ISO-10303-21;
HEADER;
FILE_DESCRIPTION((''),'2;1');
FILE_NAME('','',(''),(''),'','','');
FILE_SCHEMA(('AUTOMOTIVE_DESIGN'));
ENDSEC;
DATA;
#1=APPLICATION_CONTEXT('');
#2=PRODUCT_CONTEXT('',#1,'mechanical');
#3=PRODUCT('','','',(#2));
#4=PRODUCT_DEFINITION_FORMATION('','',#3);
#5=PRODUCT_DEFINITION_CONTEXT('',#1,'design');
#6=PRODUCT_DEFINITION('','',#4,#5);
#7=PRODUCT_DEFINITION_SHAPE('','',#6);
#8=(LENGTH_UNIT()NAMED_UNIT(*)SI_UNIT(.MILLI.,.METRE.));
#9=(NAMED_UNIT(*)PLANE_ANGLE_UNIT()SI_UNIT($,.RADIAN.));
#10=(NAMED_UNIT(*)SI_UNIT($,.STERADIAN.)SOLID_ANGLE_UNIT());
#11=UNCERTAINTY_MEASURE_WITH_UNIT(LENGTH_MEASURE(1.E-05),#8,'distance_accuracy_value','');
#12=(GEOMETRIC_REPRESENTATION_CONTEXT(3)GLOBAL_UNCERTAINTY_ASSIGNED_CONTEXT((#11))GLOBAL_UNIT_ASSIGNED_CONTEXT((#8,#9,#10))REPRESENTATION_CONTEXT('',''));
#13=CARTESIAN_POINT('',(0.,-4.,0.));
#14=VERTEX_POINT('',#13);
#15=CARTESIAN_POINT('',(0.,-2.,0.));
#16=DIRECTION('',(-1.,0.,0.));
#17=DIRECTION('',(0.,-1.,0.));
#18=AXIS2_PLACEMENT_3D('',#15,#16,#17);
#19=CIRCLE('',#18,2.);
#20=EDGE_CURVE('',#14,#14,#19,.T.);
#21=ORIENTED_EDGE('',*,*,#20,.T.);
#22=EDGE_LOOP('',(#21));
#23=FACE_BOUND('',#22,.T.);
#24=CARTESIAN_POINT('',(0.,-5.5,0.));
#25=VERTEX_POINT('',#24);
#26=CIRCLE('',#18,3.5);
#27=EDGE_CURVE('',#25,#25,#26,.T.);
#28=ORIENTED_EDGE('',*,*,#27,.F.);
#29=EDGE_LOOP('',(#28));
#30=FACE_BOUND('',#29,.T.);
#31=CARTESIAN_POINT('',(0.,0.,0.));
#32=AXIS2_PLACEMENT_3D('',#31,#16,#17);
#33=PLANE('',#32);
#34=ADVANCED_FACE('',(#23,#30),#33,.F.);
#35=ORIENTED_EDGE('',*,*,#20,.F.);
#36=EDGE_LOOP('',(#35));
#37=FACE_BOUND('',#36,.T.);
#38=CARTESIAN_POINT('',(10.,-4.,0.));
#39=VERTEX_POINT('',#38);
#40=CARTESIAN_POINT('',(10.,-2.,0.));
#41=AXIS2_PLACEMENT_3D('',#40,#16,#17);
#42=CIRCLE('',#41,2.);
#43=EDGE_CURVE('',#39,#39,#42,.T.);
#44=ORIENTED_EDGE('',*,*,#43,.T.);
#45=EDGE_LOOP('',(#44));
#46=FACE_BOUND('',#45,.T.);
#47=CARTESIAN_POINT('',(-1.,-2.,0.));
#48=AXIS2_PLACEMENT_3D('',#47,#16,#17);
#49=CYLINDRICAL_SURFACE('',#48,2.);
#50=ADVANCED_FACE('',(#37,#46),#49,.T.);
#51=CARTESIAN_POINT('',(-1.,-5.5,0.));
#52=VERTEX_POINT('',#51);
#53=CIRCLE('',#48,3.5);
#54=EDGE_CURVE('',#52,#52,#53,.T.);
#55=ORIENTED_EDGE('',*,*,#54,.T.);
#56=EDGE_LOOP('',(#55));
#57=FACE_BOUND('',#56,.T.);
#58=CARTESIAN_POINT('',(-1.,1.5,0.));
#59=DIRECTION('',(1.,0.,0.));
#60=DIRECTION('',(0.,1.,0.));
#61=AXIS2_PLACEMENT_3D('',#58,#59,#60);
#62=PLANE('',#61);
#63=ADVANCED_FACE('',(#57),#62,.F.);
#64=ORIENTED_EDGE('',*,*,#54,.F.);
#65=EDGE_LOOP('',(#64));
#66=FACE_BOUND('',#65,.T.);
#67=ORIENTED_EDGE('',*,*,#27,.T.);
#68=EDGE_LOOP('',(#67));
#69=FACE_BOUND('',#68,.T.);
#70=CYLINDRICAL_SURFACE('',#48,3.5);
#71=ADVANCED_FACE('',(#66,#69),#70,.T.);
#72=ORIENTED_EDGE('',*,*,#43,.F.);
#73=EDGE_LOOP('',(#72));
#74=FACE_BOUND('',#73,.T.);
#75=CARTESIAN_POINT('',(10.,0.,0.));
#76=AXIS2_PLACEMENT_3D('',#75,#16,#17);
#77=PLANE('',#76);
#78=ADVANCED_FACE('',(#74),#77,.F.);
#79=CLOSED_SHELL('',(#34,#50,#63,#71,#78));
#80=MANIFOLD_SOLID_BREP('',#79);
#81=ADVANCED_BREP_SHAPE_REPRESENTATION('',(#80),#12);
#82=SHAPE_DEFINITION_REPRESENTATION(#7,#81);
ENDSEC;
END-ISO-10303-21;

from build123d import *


with BuildPart() as part:
    # 草图1 → 旋转1 (revolve)
    with BuildSketch(Plane.XY, mode=Mode.PRIVATE) as revolve_1_sk:
        Polygon((0, 0), (10, 0), (10, -2), (-1, -2), (-1, 1.5), (0, 1.5), align=None)
    revolve(revolve_1_sk.sketch.rotate(Axis((-1, -2, 0), (1, 0, 0)), 180), axis=Axis((-1, -2, 0), (1, 0, 0)))


solid = part.part
